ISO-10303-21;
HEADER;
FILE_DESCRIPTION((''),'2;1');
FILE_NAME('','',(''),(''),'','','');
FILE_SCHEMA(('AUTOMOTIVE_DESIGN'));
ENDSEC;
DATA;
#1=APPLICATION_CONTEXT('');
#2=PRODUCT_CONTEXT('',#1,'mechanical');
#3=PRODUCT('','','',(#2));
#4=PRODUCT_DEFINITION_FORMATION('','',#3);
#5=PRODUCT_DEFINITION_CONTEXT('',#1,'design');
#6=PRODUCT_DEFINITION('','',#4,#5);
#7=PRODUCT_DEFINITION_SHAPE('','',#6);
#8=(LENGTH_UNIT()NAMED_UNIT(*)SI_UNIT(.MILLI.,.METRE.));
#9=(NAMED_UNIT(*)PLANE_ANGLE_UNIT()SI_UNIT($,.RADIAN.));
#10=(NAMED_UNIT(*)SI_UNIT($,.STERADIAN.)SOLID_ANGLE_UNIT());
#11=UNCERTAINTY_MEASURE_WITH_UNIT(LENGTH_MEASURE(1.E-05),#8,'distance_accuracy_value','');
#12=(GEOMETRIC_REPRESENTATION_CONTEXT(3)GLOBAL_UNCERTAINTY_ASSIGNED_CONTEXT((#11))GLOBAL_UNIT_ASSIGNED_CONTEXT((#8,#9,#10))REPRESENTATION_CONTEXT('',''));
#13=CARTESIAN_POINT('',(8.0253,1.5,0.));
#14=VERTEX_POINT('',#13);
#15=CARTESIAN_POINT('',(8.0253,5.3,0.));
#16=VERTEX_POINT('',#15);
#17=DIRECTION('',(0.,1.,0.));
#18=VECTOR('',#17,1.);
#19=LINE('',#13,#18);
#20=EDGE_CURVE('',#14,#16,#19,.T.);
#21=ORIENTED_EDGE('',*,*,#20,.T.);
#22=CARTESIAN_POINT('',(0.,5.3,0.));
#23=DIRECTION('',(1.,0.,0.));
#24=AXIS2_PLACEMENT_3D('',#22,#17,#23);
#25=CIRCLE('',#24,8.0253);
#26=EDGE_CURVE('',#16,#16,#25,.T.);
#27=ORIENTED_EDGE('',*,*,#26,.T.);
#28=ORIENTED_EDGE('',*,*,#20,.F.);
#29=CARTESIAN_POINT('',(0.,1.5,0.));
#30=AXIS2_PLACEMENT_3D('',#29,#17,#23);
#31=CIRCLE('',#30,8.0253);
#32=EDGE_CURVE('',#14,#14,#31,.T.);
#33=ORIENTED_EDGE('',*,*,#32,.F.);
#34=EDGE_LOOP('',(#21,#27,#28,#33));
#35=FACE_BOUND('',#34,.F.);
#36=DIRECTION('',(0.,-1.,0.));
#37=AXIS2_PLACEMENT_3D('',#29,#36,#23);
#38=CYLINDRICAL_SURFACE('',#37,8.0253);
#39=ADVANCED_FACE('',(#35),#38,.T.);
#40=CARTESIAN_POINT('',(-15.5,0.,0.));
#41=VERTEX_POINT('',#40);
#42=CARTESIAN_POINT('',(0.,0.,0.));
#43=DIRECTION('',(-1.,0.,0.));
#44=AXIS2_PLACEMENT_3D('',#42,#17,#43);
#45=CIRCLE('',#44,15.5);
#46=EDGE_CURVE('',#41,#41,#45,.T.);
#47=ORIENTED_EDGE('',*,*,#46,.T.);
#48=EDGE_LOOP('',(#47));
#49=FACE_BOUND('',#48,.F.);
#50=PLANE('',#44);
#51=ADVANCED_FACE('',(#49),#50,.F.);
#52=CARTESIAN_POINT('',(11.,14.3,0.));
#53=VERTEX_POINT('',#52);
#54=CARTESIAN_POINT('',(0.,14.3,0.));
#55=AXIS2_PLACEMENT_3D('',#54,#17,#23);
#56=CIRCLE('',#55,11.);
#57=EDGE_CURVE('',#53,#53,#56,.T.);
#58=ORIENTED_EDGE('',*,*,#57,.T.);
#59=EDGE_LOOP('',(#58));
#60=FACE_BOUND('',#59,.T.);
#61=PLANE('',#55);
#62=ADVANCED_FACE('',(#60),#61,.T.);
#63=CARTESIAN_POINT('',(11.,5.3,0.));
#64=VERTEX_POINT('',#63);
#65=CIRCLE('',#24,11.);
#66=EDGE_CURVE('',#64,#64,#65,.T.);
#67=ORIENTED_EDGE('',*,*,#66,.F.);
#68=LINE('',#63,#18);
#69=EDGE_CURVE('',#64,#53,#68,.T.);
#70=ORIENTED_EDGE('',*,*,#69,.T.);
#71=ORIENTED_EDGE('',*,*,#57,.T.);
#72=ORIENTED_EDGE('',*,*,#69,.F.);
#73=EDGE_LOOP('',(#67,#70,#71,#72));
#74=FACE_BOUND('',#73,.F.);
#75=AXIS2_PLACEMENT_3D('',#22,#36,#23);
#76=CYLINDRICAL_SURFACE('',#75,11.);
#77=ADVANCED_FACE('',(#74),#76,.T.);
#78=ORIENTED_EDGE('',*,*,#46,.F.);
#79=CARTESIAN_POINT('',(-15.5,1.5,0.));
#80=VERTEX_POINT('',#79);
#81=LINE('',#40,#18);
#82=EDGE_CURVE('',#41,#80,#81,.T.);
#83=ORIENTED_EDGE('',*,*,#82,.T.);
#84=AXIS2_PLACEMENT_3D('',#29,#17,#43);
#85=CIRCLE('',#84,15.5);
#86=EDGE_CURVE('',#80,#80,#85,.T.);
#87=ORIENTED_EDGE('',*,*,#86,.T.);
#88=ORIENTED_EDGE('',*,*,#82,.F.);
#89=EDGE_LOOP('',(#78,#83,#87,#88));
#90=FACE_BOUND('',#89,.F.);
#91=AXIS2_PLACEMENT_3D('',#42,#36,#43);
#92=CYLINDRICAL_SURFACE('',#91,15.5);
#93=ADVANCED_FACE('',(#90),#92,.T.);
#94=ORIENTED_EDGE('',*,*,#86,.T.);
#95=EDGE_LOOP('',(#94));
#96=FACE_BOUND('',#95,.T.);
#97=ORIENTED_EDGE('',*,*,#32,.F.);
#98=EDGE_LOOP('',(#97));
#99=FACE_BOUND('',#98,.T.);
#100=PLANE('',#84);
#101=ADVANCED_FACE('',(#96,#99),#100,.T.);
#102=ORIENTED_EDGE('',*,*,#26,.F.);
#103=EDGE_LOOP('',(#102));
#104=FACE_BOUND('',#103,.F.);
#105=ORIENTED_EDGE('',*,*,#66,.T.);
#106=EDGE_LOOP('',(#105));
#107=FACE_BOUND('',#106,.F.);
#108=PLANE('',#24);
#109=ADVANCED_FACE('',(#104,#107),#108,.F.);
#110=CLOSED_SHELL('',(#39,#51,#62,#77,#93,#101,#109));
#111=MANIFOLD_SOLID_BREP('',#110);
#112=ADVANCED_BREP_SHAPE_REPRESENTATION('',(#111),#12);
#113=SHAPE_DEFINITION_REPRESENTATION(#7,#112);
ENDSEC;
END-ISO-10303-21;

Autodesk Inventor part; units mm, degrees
ref_plane "YZ Plane" through (0, 0, 0) normal (1, 0, 0) x (0, 1, 0)
ref_plane "XZ Plane" through (0, 0, 0) normal (0, 1, 0) x (-1, 0, 0)
ref_plane "XY Plane" through (0, 0, 0) normal (0, 0, 1) x (1, 0, 0)
sketch "Sketch1" plane through (0, 0, 0) normal (0, 1, 0) x (-1, 0, 0)
  circle A0 centre (0, 0) radius 15.5
  dimension "d0" = 31
extrude "Extrusion1" add sketch "Sketch1" along normal blind 1.5
sketch "Sketch2" plane through (0, 1.5, 0) normal (0, 1, 0) x (1, 0, 0)
  circle A0 centre (0, 0) radius 8.0253
extrude "Extrusion2" add sketch "Sketch2" along normal blind 3.8
sketch "Sketch3" plane through (0, 5.3, 0) normal (0, 1, 0) x (1, 0, 0)
  circle A0 centre (0, 0) radius 11
  dimension "d5" = 22
extrude "Extrusion3" add sketch "Sketch3" along normal blind 9
properties part number "obj"
